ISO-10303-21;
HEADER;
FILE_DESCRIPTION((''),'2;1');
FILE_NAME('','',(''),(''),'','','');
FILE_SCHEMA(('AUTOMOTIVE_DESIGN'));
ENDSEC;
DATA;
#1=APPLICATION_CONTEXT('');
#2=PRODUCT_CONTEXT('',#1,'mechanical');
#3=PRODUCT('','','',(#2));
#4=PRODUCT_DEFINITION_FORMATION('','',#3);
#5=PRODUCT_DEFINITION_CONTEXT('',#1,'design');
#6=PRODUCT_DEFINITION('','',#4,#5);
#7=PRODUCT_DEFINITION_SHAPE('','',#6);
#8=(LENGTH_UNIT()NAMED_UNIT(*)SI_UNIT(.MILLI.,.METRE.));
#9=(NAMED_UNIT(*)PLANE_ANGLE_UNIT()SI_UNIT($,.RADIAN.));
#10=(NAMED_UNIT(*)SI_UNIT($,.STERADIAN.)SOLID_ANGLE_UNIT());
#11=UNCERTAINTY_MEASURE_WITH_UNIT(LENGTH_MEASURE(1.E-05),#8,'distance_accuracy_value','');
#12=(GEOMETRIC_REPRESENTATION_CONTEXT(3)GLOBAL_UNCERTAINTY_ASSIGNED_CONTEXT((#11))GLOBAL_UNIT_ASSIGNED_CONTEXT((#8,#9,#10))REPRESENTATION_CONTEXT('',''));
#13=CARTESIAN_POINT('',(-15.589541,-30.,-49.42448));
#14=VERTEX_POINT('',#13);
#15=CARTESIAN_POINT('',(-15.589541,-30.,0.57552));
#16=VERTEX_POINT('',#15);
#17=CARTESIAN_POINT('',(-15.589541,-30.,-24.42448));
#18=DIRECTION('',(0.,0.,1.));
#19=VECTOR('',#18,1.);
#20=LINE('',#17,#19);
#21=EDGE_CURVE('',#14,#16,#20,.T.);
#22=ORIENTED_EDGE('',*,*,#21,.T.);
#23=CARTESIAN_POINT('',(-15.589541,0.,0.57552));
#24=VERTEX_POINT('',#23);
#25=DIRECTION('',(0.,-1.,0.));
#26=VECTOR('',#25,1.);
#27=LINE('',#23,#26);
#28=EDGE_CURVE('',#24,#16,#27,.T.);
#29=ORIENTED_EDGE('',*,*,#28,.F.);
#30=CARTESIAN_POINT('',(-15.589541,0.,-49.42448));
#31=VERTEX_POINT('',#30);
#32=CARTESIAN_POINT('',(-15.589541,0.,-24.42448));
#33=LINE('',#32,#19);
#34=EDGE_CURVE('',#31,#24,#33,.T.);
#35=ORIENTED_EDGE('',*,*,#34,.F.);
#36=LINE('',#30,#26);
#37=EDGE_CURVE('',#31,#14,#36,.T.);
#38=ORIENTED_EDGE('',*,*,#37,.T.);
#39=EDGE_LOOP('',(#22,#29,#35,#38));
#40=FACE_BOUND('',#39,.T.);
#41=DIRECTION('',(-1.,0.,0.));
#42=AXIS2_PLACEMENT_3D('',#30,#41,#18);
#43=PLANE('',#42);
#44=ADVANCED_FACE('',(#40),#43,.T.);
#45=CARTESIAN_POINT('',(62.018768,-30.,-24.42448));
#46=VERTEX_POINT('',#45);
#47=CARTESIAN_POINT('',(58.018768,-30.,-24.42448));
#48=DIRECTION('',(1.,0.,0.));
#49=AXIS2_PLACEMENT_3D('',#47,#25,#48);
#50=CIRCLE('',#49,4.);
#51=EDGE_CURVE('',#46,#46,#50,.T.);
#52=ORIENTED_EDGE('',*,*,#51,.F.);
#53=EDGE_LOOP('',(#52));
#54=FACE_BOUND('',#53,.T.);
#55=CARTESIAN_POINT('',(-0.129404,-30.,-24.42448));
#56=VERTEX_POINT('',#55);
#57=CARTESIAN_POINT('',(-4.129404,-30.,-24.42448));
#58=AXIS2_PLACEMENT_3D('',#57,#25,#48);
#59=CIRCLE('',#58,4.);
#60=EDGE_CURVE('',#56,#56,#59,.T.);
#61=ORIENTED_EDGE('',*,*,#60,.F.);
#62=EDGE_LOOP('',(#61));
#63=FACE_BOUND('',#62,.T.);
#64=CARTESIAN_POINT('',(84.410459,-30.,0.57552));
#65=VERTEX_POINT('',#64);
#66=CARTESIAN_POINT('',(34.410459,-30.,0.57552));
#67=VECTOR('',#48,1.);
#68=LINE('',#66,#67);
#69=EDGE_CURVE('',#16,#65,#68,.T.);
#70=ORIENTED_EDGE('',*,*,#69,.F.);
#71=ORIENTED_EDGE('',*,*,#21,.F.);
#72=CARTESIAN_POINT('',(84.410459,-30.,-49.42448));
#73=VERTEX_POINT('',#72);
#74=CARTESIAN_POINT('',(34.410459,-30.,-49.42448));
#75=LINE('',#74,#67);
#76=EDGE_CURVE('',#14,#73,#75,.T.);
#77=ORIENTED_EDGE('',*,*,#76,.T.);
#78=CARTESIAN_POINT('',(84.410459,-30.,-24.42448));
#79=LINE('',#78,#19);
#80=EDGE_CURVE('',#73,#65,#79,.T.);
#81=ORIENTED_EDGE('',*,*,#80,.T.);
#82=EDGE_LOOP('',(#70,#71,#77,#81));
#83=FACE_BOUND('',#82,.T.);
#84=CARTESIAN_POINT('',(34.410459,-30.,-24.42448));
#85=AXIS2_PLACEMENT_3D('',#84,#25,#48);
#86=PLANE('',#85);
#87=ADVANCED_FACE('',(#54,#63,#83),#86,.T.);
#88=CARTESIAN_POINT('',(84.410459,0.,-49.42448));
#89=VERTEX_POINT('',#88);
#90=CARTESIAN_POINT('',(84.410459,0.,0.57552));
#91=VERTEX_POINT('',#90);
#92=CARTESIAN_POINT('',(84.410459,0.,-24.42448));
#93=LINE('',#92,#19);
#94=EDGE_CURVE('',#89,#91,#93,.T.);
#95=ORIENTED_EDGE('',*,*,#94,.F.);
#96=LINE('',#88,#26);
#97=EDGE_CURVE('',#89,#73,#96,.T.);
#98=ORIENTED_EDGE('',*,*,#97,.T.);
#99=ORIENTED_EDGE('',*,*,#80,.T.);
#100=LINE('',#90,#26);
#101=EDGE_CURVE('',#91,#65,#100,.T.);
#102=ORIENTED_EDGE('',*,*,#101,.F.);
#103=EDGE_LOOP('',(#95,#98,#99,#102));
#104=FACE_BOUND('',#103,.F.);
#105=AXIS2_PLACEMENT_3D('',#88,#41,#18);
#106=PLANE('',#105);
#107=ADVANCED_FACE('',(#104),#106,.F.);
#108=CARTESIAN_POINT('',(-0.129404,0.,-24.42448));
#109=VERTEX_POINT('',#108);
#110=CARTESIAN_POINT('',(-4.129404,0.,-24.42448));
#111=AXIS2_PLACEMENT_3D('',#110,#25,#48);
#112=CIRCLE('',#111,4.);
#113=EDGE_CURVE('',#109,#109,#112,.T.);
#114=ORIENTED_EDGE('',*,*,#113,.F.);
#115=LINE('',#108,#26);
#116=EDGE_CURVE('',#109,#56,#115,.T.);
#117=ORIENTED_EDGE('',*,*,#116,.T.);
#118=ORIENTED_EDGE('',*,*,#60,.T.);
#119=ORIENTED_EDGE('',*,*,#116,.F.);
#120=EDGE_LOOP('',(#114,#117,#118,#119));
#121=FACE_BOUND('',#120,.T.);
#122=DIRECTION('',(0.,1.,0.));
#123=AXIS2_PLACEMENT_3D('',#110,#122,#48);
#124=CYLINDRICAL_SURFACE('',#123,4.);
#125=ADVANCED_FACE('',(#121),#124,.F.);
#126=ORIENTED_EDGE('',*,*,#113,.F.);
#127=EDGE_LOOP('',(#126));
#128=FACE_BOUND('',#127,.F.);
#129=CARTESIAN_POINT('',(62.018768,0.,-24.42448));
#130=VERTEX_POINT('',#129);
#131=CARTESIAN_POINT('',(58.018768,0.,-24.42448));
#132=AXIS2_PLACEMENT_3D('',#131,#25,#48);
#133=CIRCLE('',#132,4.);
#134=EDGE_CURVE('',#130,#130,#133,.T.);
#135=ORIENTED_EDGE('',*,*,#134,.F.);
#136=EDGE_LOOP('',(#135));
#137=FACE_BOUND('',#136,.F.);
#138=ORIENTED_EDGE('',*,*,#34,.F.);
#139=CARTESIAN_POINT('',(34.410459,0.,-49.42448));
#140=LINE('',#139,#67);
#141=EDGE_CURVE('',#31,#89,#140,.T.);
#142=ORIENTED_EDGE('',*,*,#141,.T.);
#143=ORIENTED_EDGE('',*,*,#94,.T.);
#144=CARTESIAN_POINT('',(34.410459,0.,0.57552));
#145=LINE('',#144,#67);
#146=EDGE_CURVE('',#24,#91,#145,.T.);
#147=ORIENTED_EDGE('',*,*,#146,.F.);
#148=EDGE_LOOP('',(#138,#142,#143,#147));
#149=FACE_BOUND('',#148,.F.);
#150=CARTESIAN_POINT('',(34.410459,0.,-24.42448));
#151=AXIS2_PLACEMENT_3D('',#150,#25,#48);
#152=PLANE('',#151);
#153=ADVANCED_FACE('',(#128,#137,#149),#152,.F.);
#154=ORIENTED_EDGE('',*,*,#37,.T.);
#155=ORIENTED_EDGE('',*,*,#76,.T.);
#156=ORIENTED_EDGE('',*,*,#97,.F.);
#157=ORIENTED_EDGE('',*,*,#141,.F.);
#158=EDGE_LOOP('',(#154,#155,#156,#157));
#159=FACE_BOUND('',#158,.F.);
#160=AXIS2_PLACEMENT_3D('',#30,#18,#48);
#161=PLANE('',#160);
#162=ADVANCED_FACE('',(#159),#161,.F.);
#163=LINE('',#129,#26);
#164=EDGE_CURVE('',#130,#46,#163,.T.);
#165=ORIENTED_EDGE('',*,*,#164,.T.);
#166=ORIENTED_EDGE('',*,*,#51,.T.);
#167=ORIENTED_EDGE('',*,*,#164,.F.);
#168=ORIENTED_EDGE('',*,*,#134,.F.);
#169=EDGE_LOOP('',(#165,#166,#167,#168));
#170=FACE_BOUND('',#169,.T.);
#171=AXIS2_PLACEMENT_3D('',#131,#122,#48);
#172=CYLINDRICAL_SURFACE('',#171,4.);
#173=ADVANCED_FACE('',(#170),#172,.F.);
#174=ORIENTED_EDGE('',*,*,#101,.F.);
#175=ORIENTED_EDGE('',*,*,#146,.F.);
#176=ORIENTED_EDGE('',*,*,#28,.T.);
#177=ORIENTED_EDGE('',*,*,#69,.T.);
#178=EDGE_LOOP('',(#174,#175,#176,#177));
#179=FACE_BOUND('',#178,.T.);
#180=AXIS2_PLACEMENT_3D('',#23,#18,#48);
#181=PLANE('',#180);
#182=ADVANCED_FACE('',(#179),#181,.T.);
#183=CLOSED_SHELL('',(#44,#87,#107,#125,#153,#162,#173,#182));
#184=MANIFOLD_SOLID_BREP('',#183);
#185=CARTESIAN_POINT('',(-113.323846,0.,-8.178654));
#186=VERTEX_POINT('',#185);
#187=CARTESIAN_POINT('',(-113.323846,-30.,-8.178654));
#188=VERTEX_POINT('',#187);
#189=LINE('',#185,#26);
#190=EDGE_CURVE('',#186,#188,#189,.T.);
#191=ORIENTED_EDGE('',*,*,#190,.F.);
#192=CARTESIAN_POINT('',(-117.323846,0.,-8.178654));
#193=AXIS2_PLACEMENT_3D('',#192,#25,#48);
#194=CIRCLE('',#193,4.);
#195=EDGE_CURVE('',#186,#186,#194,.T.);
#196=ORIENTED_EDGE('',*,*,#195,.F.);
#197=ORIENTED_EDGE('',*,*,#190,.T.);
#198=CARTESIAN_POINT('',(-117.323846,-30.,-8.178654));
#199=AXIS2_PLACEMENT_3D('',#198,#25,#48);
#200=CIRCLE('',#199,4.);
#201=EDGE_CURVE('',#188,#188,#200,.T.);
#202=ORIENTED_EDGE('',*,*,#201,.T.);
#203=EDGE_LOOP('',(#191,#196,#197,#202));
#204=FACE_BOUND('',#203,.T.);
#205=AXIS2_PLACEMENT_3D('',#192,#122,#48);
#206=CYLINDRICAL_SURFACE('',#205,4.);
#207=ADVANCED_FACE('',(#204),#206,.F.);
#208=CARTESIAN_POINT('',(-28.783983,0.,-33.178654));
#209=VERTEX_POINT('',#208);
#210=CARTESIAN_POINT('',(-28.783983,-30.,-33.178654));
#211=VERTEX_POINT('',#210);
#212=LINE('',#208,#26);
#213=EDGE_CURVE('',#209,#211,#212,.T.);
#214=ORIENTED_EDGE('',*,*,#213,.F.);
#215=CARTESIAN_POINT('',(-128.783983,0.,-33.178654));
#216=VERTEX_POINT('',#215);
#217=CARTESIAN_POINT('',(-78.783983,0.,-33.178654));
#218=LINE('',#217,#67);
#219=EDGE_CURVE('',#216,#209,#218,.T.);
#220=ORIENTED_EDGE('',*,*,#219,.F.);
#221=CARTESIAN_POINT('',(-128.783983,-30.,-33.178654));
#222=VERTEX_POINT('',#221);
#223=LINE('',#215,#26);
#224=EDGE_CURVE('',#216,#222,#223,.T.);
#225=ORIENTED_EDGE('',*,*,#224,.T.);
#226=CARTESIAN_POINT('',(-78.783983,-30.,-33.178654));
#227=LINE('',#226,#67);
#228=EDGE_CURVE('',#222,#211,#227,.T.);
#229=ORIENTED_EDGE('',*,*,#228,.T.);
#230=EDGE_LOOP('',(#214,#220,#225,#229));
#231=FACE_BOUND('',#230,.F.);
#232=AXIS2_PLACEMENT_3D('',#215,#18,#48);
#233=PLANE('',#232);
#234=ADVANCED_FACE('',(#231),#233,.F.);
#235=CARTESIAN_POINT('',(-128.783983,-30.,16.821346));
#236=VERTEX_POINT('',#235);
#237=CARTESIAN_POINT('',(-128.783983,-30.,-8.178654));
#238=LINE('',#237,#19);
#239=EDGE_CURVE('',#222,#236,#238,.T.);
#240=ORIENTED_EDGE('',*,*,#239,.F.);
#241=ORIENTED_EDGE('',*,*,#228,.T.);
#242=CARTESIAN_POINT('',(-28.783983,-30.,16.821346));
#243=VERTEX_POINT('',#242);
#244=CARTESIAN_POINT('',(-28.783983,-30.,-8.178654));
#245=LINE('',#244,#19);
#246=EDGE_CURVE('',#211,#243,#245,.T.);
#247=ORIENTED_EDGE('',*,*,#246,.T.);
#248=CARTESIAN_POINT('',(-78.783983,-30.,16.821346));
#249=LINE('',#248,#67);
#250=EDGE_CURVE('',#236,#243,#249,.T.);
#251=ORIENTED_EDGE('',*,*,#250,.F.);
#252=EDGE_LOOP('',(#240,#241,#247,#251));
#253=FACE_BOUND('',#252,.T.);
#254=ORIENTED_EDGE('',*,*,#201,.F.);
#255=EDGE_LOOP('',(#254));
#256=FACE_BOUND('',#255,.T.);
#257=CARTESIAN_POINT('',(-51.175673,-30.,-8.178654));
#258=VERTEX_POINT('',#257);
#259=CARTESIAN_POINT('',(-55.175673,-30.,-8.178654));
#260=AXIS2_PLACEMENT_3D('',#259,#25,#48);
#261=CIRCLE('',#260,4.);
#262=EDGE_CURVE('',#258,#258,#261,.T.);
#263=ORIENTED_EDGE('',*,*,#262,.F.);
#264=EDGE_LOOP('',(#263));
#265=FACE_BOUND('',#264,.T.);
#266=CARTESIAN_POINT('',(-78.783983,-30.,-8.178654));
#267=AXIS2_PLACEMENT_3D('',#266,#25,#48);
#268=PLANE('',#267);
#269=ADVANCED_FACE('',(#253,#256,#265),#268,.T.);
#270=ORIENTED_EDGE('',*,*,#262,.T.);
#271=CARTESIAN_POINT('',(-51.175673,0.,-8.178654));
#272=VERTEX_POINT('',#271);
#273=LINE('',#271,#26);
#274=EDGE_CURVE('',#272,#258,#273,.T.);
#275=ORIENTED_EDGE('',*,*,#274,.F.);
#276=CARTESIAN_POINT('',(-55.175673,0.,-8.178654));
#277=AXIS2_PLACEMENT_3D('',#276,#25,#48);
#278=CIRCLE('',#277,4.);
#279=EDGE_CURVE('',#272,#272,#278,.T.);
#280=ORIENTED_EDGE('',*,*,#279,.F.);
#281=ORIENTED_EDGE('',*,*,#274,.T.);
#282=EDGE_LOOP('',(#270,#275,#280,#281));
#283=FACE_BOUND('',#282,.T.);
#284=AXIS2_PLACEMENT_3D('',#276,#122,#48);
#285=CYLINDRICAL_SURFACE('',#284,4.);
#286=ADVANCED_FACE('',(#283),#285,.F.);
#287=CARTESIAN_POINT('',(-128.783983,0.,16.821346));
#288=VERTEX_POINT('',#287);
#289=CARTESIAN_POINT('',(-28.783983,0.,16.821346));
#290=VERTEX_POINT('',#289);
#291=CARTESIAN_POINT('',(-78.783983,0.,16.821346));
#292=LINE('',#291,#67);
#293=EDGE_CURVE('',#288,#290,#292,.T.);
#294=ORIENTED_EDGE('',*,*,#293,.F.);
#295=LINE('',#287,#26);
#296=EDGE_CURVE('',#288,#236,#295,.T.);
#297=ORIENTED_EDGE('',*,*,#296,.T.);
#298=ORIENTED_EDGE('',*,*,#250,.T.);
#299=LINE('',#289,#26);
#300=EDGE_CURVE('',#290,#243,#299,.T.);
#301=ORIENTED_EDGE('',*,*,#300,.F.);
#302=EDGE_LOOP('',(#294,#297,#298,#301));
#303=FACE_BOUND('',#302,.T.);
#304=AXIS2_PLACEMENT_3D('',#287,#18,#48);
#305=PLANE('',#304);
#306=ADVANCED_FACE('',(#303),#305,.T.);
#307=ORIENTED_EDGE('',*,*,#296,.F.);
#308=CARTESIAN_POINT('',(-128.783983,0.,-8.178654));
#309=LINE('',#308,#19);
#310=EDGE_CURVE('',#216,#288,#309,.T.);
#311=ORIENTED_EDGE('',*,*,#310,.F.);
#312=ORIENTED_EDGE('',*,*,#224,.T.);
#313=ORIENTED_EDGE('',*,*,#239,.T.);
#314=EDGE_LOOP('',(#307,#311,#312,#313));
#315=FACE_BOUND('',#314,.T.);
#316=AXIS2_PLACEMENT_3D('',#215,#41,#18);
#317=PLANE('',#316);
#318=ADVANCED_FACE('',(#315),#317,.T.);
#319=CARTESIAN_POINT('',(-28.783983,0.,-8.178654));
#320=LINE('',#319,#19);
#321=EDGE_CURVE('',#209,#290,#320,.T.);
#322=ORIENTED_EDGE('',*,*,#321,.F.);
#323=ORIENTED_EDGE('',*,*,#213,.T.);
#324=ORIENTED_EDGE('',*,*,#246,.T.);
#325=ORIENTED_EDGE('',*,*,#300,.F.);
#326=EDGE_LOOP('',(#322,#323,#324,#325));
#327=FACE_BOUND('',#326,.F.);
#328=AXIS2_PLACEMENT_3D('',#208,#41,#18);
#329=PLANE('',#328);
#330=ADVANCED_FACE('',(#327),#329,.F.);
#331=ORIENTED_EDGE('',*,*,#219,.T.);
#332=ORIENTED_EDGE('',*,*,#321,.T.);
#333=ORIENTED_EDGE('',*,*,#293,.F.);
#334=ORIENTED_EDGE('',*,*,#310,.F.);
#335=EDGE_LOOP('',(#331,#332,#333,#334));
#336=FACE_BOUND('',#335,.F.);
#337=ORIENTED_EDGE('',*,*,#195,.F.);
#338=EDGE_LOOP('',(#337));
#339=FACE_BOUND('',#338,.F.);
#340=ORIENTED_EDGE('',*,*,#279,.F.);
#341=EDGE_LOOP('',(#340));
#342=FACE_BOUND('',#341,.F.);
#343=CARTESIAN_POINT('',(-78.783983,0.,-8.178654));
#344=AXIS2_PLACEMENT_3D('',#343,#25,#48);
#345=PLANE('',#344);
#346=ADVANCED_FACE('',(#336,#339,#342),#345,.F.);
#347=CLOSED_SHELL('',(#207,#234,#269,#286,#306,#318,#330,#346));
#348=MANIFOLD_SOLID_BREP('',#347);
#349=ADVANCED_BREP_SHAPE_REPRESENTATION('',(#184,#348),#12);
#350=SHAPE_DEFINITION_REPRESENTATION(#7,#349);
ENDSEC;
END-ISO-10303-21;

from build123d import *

# Parameters (mm, degrees)
F0_W     = 100
F0_H     = 50
F0_R     = 4
F1_DEPTH = 30


with BuildPart() as f1:
    # F0 (on Front) → F1 (new body)
    with BuildSketch(Plane.XZ):
        with Locations((-78.783983, -8.178654)):
            Rectangle(F0_W, F0_H)
        with Locations((-117.323846, -8.178654)):
            Circle(F0_R, mode=Mode.SUBTRACT)
        with Locations((-55.175673, -8.178654)):
            Circle(F0_R, mode=Mode.SUBTRACT)
        with Locations((34.410459, -24.42448)):
            Rectangle(F0_W, F0_H)
        with Locations((-4.129404, -24.42448)):
            Circle(F0_R, mode=Mode.SUBTRACT)
        with Locations((58.018768, -24.42448)):
            Circle(F0_R, mode=Mode.SUBTRACT)
    extrude(amount=F1_DEPTH)


solid = f1.part
